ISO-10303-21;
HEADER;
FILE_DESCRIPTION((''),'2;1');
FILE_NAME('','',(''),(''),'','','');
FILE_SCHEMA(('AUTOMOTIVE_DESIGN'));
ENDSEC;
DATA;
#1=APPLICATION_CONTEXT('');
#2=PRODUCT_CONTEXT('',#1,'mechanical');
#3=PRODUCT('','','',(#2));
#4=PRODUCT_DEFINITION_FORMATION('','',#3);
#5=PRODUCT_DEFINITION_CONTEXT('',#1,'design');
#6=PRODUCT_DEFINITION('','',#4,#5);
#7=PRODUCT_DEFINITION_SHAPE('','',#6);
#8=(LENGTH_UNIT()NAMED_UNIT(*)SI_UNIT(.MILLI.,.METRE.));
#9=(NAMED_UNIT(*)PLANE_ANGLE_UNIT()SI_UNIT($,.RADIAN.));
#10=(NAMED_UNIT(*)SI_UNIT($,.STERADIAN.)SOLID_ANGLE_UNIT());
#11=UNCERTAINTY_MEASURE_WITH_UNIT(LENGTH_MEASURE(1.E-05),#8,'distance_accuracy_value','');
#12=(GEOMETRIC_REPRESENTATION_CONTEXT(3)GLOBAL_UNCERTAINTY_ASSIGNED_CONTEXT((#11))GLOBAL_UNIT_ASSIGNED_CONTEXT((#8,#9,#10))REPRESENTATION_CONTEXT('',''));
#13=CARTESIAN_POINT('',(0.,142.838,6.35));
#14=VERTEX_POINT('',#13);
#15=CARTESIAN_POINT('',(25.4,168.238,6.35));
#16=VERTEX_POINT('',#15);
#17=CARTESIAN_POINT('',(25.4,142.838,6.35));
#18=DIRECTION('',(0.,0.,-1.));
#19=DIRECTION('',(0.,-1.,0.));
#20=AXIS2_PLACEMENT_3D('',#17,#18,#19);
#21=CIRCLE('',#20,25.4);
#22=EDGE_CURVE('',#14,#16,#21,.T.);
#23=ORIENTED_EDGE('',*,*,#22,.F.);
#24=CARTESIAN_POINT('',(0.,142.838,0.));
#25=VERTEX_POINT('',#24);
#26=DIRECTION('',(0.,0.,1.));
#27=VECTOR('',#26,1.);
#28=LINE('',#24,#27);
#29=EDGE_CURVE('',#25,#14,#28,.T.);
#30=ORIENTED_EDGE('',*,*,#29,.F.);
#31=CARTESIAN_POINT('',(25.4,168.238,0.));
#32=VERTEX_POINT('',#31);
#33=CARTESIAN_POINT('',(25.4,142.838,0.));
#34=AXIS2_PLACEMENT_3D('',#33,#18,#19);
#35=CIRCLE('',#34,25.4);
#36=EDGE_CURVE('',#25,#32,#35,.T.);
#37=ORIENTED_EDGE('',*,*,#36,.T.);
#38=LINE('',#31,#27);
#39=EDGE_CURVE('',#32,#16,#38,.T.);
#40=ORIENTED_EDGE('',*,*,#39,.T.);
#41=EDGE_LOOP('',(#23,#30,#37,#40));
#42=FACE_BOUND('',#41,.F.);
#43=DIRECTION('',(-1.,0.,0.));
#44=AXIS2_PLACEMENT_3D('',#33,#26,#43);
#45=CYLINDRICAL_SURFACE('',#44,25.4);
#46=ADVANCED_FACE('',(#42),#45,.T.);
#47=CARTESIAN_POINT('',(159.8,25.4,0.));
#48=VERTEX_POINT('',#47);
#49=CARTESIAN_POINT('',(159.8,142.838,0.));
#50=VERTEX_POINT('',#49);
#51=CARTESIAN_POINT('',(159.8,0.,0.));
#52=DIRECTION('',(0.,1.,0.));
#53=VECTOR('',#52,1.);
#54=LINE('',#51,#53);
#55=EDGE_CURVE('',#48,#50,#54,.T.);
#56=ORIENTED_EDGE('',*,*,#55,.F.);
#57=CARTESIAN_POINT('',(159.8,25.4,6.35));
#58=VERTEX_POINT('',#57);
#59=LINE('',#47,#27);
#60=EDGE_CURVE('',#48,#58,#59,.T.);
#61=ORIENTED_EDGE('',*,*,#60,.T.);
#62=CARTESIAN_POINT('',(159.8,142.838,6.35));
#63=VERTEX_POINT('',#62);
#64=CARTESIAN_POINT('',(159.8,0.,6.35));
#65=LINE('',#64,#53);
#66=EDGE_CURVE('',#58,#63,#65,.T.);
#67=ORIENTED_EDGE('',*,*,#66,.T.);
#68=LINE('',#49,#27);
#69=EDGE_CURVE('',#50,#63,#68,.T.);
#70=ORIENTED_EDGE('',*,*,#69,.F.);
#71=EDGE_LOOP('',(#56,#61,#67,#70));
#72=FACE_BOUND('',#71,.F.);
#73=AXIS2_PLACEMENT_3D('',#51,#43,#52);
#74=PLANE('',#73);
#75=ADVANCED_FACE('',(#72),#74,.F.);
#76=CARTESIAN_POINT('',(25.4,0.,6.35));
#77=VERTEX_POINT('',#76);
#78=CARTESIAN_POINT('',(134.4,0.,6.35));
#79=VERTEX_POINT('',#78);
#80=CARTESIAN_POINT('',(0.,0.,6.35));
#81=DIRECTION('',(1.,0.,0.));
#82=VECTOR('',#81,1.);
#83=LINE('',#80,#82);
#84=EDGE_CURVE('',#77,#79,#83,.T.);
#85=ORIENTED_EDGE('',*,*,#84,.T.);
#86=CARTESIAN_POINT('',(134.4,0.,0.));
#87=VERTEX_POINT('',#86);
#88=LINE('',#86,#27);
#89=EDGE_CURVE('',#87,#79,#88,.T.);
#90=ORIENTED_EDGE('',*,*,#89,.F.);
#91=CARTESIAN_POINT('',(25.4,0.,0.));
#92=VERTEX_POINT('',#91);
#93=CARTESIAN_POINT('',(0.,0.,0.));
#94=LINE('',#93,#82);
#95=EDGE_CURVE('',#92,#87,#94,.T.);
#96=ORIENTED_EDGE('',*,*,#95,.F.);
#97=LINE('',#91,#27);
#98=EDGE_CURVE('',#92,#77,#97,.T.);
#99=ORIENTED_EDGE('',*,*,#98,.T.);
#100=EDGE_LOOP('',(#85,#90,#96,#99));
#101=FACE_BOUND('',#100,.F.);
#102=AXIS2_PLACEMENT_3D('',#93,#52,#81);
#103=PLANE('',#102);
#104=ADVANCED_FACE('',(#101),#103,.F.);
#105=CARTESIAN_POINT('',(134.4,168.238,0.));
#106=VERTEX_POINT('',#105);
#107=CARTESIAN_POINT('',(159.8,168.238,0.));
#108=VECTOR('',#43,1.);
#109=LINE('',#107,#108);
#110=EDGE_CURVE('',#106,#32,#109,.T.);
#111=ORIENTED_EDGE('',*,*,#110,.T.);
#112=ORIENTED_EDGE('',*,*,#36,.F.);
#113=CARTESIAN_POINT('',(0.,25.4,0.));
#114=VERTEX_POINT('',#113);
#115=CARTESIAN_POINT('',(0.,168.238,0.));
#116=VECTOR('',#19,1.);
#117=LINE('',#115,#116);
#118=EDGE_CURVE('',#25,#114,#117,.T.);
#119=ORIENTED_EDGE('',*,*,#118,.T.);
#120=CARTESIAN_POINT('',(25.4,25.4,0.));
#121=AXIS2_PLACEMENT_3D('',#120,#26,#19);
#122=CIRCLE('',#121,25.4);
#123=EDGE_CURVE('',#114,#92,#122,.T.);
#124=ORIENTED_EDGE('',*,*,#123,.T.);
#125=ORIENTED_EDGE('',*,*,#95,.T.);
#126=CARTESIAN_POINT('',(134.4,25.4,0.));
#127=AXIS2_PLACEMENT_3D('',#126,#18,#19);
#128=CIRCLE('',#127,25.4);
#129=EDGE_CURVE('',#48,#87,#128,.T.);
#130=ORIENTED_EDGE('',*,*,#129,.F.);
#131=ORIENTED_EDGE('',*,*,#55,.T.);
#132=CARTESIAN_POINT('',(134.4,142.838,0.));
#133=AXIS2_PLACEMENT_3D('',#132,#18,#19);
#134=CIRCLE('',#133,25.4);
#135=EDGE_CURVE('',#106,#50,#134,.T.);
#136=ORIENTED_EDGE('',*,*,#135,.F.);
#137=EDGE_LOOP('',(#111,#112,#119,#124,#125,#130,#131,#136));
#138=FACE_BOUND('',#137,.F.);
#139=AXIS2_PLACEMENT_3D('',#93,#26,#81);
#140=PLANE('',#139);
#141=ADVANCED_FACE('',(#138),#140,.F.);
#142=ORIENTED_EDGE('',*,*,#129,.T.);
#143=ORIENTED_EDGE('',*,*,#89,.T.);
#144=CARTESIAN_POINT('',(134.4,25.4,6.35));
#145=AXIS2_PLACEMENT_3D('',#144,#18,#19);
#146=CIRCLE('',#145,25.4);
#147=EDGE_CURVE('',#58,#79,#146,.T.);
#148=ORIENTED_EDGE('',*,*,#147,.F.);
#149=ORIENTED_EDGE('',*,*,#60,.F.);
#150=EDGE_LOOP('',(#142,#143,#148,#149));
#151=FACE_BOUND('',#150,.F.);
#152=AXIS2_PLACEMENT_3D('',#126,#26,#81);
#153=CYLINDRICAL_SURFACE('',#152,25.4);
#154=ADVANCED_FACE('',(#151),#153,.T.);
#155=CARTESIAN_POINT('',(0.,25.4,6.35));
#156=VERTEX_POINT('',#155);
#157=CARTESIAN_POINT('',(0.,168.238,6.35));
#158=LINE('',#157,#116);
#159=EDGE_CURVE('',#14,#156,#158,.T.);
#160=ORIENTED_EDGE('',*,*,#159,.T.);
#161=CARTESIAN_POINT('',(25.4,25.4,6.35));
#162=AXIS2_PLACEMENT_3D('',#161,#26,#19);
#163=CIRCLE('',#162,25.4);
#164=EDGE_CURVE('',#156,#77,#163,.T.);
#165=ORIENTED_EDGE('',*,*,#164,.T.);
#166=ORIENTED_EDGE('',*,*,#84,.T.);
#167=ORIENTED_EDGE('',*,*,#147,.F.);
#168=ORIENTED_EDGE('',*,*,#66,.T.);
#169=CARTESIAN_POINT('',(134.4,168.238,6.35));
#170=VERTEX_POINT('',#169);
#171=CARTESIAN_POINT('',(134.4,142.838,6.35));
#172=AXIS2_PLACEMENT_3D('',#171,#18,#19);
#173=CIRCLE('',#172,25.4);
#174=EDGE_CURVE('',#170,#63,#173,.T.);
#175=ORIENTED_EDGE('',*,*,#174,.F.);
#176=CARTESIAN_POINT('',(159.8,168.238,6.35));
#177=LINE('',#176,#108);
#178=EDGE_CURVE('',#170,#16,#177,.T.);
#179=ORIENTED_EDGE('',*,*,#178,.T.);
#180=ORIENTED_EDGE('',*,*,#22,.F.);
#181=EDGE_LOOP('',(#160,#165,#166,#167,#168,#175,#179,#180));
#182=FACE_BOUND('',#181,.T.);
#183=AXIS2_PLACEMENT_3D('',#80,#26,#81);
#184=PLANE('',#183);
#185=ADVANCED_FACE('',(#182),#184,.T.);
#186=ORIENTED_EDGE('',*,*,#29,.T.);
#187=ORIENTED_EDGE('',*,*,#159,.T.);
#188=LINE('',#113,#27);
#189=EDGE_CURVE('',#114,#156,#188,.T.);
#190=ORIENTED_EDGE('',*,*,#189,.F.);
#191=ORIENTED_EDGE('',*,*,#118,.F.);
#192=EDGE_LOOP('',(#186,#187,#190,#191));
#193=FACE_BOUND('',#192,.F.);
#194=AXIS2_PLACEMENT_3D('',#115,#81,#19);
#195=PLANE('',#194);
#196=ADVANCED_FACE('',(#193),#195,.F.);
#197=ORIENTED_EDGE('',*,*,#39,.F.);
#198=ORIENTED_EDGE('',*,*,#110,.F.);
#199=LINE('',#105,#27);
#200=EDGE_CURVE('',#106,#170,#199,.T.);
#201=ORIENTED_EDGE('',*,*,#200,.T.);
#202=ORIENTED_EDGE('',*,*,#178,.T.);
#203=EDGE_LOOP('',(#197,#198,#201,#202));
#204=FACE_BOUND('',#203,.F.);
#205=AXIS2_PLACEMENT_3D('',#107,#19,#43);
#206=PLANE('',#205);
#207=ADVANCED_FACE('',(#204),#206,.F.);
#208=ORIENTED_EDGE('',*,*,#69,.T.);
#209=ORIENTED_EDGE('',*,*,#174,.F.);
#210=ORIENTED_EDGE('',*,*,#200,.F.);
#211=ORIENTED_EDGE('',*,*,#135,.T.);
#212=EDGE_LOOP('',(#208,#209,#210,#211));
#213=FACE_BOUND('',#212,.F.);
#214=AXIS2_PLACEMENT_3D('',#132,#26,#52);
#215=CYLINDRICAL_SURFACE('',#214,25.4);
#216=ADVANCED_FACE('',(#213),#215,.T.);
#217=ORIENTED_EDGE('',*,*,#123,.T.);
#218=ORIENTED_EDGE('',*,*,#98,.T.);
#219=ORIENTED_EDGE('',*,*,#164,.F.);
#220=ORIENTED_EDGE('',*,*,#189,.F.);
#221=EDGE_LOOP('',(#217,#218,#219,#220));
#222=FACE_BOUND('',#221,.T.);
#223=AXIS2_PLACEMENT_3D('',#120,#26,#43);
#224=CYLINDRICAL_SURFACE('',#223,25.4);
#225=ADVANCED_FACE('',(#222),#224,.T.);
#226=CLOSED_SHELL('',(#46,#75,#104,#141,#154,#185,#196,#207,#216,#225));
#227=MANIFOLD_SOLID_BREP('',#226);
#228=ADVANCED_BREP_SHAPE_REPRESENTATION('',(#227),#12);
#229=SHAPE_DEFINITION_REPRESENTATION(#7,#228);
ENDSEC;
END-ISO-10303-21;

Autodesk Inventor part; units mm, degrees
ref_plane "YZ Plane" through (0, 0, 0) normal (1, 0, 0) x (0, 1, 0)
ref_plane "XZ Plane" through (0, 0, 0) normal (0, 1, 0) x (-1, 0, 0)
ref_plane "XY Plane" through (0, 0, 0) normal (0, 0, 1) x (1, 0, 0)
sketch "Sketch1" plane through (0, 0, 0) normal (0, 0, 1) x (1, 0, 0)
  line L0 (0, 0) -> (159.8, 0)
  line L1 (159.8, 0) -> (159.8, 168.238)
  line L2 (159.8, 168.238) -> (0, 168.238)
  line L3 (0, 168.238) -> (0, 0)
  dimension "d0" = 159.8
  dimension "d1" = 168.238
extrude "Extrusion1" add sketch "Sketch1" along normal blind 6.35
fillet "Fillet1" radius 25.4 4 edges at (159.8, 0, 3.175) (0, 0, 3.175) (0, 168.238, 3.175) (159.8, 168.238, 3.175)
properties part number "Door Panel Top Panel" material "Polycarbonate, Clear"
